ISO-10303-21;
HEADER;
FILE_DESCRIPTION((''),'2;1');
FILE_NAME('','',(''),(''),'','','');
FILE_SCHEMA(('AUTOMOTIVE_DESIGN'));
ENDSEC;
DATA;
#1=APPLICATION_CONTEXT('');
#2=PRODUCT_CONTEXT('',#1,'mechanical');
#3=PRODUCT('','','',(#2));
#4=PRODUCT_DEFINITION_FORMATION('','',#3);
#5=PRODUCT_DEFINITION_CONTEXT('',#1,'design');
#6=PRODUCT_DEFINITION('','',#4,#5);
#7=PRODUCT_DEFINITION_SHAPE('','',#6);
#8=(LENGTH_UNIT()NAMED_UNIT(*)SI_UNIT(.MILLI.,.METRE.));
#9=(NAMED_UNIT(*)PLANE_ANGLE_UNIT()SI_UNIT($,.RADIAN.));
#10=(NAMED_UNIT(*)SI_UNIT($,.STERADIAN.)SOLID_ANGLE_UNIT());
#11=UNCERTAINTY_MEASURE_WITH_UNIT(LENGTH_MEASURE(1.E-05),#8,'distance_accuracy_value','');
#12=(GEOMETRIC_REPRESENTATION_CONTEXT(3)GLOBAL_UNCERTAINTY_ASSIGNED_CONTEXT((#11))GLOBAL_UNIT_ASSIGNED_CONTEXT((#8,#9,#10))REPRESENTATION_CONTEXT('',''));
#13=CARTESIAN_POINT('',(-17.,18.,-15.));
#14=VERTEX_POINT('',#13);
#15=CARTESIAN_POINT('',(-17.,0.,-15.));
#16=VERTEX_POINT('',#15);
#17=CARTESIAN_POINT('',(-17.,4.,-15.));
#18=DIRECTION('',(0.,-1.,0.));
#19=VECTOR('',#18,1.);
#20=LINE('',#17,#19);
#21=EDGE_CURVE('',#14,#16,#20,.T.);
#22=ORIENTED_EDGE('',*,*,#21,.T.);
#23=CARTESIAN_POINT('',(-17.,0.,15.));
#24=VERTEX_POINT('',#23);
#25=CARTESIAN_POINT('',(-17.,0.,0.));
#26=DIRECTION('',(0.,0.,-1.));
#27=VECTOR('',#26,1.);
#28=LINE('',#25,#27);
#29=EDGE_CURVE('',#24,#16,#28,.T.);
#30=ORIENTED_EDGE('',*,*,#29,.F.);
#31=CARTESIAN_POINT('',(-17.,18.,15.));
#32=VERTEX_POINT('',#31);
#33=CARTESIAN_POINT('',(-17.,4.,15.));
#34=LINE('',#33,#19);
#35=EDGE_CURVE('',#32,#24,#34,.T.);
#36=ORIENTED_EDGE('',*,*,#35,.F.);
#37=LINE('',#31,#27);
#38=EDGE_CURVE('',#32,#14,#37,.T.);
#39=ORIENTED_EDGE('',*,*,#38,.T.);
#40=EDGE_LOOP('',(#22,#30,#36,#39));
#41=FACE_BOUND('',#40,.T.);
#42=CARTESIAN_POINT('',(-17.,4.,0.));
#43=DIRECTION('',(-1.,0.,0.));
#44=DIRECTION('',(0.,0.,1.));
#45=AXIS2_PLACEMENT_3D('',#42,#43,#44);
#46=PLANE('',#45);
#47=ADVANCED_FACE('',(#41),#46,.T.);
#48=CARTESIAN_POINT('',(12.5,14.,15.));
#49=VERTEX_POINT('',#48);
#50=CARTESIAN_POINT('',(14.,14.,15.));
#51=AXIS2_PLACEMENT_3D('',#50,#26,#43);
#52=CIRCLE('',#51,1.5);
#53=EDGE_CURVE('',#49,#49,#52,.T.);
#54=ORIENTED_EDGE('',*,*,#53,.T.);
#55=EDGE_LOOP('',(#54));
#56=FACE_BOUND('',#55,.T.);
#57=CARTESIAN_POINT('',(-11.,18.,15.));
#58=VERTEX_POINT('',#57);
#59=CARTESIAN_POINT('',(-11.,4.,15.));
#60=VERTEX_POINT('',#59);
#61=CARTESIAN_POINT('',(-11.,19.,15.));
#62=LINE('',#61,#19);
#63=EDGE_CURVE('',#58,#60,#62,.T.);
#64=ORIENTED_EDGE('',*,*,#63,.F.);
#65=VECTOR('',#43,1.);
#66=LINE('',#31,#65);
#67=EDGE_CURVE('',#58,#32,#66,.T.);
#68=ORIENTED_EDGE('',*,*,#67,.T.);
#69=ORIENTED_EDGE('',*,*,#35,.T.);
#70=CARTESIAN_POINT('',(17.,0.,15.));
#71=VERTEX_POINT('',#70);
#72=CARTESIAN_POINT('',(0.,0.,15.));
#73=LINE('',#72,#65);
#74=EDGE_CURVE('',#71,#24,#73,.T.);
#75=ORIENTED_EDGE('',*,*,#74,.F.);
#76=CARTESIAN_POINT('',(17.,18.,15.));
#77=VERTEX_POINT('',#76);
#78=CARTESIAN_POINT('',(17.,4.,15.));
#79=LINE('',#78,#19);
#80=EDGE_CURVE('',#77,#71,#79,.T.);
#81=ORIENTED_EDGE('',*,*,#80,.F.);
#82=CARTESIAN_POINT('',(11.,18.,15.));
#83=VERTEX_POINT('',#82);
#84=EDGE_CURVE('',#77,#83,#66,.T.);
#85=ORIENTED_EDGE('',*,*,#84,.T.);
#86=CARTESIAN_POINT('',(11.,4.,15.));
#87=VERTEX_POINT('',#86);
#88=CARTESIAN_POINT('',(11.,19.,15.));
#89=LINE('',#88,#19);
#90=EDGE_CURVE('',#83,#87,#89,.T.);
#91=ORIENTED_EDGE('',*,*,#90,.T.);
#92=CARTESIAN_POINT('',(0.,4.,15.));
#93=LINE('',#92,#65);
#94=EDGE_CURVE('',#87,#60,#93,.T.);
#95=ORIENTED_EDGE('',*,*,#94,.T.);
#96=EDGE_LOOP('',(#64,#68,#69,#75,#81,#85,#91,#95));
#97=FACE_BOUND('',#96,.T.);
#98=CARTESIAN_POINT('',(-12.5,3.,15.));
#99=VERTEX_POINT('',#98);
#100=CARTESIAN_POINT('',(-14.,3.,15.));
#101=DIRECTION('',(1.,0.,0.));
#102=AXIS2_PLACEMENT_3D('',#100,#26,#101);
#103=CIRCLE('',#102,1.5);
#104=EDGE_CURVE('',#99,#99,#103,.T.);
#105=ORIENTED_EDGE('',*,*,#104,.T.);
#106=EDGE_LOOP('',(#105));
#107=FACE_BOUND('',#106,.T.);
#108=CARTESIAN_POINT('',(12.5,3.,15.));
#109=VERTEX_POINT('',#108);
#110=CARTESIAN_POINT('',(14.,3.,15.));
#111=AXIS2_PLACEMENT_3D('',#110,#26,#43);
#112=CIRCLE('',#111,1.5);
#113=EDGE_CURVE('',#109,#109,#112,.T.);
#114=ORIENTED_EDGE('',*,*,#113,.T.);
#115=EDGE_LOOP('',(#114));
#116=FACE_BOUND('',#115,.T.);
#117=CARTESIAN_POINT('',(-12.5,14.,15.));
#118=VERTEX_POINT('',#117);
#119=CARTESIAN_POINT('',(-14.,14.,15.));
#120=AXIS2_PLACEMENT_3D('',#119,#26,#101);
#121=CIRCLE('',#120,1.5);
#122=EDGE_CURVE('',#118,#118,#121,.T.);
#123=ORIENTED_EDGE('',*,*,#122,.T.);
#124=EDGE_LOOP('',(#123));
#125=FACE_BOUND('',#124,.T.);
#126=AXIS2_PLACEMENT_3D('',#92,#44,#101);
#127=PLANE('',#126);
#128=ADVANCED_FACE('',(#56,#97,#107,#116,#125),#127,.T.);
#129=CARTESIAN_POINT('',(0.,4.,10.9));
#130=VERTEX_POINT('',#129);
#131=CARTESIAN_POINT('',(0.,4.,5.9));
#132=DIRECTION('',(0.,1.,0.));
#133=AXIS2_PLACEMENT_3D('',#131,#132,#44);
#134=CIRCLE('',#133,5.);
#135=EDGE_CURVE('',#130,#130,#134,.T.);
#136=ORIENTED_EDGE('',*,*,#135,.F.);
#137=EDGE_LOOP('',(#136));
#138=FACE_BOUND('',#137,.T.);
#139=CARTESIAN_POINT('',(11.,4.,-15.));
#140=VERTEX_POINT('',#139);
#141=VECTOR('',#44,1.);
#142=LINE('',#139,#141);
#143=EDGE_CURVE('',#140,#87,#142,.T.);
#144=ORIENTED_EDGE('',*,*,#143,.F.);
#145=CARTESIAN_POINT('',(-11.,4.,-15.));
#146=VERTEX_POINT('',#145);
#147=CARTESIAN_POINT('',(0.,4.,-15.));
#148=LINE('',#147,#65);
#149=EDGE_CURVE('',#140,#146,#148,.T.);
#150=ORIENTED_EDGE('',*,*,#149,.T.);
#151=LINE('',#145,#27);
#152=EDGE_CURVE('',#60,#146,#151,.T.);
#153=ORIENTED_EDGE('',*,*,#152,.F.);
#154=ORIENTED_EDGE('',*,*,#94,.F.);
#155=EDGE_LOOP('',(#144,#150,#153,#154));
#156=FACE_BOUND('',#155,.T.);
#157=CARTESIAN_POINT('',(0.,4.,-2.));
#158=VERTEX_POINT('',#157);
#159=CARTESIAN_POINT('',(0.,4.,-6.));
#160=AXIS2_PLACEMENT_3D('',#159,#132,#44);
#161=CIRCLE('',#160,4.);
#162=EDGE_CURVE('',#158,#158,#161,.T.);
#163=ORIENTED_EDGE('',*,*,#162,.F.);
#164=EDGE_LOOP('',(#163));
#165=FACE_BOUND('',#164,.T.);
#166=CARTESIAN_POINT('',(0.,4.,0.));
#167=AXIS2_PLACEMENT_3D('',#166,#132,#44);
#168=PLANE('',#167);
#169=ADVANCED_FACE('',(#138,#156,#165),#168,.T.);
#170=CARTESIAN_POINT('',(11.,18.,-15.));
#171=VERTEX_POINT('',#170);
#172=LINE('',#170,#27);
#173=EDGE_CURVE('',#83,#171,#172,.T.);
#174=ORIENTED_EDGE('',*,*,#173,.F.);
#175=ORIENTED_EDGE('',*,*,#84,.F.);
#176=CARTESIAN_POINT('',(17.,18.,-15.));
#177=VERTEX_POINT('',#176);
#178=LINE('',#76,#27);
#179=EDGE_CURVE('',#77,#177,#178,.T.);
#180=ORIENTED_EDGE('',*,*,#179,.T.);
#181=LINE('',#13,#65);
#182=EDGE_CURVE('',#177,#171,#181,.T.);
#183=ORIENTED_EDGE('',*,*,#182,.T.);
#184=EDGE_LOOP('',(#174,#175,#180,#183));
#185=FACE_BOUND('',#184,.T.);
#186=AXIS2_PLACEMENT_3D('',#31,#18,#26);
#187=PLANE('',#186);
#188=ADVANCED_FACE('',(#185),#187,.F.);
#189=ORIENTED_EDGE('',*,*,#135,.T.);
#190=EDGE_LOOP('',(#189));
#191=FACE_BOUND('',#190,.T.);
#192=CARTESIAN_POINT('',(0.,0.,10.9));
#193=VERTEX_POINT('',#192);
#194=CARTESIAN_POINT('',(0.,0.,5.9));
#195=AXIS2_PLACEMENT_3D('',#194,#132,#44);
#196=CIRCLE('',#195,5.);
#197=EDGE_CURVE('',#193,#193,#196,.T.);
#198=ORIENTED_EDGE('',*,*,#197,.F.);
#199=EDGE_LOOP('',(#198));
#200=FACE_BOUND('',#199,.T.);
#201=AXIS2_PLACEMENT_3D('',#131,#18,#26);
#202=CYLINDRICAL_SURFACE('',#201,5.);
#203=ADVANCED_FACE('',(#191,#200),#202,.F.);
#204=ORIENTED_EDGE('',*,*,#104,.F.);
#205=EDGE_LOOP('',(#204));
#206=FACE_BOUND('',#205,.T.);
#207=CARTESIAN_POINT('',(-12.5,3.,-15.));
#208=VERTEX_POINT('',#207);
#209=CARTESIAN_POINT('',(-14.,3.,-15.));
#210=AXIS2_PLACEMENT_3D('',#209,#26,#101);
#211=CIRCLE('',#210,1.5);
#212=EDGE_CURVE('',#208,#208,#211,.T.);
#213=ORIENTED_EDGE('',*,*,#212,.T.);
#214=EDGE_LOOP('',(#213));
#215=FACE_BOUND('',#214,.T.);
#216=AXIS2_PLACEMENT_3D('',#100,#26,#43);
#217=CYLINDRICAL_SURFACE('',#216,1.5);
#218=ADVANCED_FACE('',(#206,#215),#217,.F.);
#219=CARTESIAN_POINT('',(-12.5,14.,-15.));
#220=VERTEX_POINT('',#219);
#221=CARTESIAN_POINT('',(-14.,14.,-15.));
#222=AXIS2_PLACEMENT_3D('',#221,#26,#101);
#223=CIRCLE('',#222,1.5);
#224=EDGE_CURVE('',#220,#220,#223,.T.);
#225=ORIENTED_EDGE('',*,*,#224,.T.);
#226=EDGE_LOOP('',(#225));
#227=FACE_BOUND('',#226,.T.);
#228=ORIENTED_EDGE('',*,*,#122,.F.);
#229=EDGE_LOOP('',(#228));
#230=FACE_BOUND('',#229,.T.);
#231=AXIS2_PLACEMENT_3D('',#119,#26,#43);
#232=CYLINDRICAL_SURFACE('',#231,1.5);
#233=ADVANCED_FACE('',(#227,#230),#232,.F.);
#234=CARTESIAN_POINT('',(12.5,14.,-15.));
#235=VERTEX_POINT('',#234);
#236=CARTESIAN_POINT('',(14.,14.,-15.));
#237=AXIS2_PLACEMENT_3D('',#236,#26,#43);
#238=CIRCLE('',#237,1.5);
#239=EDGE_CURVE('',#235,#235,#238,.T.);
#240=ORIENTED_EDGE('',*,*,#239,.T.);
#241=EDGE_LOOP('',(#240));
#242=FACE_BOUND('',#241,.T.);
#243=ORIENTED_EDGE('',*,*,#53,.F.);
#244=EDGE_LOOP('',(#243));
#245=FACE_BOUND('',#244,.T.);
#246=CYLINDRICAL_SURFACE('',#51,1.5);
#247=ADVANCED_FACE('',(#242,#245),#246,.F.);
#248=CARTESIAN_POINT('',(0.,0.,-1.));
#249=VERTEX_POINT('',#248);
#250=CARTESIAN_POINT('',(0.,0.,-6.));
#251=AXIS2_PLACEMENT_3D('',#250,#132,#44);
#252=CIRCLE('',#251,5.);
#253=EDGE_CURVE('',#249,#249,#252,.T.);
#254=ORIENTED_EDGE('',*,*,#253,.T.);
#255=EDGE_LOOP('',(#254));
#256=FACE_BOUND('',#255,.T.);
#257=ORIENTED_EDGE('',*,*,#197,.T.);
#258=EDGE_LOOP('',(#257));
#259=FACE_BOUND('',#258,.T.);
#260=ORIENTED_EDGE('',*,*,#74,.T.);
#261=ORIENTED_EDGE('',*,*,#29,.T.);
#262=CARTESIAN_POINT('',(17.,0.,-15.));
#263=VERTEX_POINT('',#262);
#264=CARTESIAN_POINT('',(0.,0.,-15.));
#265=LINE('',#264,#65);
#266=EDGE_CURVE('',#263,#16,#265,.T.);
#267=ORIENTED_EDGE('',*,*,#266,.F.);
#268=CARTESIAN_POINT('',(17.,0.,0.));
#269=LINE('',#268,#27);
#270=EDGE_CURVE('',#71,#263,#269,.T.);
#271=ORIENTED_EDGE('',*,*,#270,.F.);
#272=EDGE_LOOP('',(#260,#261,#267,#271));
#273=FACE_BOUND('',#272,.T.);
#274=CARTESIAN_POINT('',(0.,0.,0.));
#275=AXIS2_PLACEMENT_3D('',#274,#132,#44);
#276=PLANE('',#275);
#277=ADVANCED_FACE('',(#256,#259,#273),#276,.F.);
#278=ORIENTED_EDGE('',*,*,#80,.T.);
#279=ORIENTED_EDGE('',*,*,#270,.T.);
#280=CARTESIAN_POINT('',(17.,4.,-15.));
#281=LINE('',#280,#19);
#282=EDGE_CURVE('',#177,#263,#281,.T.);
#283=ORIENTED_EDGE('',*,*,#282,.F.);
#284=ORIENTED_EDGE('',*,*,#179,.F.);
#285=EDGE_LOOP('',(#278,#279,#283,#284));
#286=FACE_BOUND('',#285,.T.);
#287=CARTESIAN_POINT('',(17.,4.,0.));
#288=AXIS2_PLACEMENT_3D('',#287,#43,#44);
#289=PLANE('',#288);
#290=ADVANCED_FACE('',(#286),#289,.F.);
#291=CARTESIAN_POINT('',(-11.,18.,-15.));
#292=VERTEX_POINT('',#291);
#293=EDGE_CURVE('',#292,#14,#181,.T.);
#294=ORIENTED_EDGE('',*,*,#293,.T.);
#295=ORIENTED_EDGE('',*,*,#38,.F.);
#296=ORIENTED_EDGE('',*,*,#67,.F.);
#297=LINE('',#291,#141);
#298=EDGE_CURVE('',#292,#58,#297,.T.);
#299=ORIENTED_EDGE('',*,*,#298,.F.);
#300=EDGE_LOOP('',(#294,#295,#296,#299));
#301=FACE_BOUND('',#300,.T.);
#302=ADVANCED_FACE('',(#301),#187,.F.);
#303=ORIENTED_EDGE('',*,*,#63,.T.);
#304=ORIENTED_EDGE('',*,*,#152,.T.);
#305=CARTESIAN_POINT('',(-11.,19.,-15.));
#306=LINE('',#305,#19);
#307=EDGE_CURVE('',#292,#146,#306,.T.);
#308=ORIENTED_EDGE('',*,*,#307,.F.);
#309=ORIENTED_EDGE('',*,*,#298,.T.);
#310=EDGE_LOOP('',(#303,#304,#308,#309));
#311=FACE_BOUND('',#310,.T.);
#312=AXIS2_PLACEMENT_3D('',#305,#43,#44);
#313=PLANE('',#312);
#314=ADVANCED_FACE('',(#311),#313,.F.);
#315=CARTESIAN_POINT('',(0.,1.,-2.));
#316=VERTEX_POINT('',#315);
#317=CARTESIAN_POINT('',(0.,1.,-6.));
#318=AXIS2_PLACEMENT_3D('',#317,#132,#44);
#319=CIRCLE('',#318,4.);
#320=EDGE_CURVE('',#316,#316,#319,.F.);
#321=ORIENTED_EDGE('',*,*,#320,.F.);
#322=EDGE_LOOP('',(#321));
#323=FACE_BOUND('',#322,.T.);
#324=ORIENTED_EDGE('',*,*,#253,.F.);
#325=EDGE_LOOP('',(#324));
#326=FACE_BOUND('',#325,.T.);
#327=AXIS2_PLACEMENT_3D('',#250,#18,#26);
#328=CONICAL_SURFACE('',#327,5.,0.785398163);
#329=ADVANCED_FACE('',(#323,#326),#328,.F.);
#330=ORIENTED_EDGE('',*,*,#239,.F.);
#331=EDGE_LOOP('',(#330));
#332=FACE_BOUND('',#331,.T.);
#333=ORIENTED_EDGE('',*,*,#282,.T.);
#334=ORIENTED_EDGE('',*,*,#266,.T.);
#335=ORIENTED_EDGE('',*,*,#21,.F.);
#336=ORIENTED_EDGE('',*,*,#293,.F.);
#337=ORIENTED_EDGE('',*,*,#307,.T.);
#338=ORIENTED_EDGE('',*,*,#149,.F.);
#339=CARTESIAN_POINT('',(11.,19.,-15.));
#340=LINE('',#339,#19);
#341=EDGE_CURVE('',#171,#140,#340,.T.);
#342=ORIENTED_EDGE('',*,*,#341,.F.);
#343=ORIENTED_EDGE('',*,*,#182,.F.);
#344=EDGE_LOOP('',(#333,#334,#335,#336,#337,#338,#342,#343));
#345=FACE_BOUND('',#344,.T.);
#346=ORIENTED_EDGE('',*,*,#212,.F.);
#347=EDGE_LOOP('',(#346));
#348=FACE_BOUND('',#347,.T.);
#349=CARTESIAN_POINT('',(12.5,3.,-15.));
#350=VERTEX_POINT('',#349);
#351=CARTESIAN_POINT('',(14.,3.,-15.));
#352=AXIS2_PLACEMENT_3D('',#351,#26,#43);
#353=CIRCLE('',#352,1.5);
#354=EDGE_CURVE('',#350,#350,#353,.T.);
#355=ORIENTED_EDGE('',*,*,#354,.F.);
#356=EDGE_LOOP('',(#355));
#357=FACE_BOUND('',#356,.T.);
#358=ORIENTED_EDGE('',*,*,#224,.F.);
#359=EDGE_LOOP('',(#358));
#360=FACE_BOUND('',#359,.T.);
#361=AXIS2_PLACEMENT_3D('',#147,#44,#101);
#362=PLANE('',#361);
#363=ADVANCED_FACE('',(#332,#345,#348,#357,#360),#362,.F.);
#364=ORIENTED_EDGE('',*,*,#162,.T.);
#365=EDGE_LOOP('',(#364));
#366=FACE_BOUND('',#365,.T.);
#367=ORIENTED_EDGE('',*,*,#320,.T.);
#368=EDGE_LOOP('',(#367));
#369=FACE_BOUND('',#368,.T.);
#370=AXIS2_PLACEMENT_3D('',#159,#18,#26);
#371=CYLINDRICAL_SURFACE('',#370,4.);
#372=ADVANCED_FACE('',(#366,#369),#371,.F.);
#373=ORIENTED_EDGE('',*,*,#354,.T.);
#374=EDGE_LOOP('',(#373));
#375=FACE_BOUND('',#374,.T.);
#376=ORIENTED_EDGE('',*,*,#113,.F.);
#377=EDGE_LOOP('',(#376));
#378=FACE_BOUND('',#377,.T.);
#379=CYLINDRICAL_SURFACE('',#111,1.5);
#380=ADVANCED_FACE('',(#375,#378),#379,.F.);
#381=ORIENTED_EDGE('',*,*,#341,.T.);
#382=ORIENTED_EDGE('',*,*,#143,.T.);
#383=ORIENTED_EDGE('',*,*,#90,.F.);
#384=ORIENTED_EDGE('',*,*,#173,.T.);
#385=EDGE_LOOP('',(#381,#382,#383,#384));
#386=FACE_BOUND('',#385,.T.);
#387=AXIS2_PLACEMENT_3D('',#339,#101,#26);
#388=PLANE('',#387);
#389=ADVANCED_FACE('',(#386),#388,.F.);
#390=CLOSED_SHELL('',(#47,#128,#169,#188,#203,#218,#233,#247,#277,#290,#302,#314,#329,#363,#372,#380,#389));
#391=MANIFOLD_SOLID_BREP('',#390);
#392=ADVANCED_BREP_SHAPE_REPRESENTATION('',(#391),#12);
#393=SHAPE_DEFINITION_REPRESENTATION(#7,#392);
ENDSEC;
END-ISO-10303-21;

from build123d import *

# Parameters (mm, degrees)
SKETCH_1_W          = 34
SKETCH_1_H          = 30
SKETCH_1_R          = 4
SKETCH_1_R_2        = 5
EXTRUDE_1_DEPTH     = 4
SKETCH_3_W          = 6
SKETCH_3_H          = 30
EXTRUDE_2_DEPTH     = 15
SKETCH_4_R          = 1.5
CUT_EXTRUDE_1_DEPTH = 40.37003937
SKETCH_5_W          = 34
SKETCH_5_H          = 1
CUT_EXTRUDE_2_DEPTH = 40.37003937
CHAMFER_1_SIZE      = 1


with BuildPart() as part:
    # 草图1 → 凸台-拉伸1 (new body)
    with BuildSketch(Plane(origin=(0, 0, 0), x_dir=(1, 0, 0), z_dir=(0, 1, 0))):
        Rectangle(SKETCH_1_W, SKETCH_1_H)
        with Locations(Location((0, 6, 0), (0, 0, 270))):
            Circle(SKETCH_1_R, mode=Mode.SUBTRACT)
        with Locations(Location((0, -5.9, 0), (0, 0, 270))):
            Circle(SKETCH_1_R_2, mode=Mode.SUBTRACT)
    extrude(amount=EXTRUDE_1_DEPTH)

    # 草图3 → 凸台-拉伸2 (add)
    with BuildSketch(Plane(origin=(0, 4, 0), x_dir=(1, 0, 0), z_dir=(0, 1, 0))):
        with Locations((-14, 0)):
            Rectangle(SKETCH_3_W, SKETCH_3_H)
        with Locations((14, 0)):
            Rectangle(SKETCH_3_W, SKETCH_3_H)
    extrude(amount=EXTRUDE_2_DEPTH)

    # 草图4 → 切除-拉伸1 (cut, through all)
    with BuildSketch(Plane(origin=(0, 0, -15), x_dir=(-1, 0, 0), z_dir=(0, 0, -1))):
        with Locations((-14, 3)):
            Circle(SKETCH_4_R)
        with Locations((-14, 14)):
            Circle(SKETCH_4_R)
        with Locations(Location((14, 3, 0), (0, 0, 180))):
            Circle(SKETCH_4_R)
        with Locations(Location((14, 14, 0), (0, 0, 180))):
            Circle(SKETCH_4_R)
    extrude(amount=-CUT_EXTRUDE_1_DEPTH, mode=Mode.SUBTRACT)

    # 草图5 → 切除-拉伸2 (cut, through all)
    with BuildSketch(Plane(origin=(0, 0, -15), x_dir=(-1, 0, 0), z_dir=(0, 0, -1))):
        with Locations((0, 18.5)):
            Rectangle(SKETCH_5_W, SKETCH_5_H)
    extrude(amount=-CUT_EXTRUDE_2_DEPTH, mode=Mode.SUBTRACT)

    # 倒角1
    chamfer_1_edges = [part.edges().sort_by_distance(p)[0] for p in [
        (0, 0, -10),
    ]]
    chamfer(chamfer_1_edges, length=CHAMFER_1_SIZE)


solid = part.part
